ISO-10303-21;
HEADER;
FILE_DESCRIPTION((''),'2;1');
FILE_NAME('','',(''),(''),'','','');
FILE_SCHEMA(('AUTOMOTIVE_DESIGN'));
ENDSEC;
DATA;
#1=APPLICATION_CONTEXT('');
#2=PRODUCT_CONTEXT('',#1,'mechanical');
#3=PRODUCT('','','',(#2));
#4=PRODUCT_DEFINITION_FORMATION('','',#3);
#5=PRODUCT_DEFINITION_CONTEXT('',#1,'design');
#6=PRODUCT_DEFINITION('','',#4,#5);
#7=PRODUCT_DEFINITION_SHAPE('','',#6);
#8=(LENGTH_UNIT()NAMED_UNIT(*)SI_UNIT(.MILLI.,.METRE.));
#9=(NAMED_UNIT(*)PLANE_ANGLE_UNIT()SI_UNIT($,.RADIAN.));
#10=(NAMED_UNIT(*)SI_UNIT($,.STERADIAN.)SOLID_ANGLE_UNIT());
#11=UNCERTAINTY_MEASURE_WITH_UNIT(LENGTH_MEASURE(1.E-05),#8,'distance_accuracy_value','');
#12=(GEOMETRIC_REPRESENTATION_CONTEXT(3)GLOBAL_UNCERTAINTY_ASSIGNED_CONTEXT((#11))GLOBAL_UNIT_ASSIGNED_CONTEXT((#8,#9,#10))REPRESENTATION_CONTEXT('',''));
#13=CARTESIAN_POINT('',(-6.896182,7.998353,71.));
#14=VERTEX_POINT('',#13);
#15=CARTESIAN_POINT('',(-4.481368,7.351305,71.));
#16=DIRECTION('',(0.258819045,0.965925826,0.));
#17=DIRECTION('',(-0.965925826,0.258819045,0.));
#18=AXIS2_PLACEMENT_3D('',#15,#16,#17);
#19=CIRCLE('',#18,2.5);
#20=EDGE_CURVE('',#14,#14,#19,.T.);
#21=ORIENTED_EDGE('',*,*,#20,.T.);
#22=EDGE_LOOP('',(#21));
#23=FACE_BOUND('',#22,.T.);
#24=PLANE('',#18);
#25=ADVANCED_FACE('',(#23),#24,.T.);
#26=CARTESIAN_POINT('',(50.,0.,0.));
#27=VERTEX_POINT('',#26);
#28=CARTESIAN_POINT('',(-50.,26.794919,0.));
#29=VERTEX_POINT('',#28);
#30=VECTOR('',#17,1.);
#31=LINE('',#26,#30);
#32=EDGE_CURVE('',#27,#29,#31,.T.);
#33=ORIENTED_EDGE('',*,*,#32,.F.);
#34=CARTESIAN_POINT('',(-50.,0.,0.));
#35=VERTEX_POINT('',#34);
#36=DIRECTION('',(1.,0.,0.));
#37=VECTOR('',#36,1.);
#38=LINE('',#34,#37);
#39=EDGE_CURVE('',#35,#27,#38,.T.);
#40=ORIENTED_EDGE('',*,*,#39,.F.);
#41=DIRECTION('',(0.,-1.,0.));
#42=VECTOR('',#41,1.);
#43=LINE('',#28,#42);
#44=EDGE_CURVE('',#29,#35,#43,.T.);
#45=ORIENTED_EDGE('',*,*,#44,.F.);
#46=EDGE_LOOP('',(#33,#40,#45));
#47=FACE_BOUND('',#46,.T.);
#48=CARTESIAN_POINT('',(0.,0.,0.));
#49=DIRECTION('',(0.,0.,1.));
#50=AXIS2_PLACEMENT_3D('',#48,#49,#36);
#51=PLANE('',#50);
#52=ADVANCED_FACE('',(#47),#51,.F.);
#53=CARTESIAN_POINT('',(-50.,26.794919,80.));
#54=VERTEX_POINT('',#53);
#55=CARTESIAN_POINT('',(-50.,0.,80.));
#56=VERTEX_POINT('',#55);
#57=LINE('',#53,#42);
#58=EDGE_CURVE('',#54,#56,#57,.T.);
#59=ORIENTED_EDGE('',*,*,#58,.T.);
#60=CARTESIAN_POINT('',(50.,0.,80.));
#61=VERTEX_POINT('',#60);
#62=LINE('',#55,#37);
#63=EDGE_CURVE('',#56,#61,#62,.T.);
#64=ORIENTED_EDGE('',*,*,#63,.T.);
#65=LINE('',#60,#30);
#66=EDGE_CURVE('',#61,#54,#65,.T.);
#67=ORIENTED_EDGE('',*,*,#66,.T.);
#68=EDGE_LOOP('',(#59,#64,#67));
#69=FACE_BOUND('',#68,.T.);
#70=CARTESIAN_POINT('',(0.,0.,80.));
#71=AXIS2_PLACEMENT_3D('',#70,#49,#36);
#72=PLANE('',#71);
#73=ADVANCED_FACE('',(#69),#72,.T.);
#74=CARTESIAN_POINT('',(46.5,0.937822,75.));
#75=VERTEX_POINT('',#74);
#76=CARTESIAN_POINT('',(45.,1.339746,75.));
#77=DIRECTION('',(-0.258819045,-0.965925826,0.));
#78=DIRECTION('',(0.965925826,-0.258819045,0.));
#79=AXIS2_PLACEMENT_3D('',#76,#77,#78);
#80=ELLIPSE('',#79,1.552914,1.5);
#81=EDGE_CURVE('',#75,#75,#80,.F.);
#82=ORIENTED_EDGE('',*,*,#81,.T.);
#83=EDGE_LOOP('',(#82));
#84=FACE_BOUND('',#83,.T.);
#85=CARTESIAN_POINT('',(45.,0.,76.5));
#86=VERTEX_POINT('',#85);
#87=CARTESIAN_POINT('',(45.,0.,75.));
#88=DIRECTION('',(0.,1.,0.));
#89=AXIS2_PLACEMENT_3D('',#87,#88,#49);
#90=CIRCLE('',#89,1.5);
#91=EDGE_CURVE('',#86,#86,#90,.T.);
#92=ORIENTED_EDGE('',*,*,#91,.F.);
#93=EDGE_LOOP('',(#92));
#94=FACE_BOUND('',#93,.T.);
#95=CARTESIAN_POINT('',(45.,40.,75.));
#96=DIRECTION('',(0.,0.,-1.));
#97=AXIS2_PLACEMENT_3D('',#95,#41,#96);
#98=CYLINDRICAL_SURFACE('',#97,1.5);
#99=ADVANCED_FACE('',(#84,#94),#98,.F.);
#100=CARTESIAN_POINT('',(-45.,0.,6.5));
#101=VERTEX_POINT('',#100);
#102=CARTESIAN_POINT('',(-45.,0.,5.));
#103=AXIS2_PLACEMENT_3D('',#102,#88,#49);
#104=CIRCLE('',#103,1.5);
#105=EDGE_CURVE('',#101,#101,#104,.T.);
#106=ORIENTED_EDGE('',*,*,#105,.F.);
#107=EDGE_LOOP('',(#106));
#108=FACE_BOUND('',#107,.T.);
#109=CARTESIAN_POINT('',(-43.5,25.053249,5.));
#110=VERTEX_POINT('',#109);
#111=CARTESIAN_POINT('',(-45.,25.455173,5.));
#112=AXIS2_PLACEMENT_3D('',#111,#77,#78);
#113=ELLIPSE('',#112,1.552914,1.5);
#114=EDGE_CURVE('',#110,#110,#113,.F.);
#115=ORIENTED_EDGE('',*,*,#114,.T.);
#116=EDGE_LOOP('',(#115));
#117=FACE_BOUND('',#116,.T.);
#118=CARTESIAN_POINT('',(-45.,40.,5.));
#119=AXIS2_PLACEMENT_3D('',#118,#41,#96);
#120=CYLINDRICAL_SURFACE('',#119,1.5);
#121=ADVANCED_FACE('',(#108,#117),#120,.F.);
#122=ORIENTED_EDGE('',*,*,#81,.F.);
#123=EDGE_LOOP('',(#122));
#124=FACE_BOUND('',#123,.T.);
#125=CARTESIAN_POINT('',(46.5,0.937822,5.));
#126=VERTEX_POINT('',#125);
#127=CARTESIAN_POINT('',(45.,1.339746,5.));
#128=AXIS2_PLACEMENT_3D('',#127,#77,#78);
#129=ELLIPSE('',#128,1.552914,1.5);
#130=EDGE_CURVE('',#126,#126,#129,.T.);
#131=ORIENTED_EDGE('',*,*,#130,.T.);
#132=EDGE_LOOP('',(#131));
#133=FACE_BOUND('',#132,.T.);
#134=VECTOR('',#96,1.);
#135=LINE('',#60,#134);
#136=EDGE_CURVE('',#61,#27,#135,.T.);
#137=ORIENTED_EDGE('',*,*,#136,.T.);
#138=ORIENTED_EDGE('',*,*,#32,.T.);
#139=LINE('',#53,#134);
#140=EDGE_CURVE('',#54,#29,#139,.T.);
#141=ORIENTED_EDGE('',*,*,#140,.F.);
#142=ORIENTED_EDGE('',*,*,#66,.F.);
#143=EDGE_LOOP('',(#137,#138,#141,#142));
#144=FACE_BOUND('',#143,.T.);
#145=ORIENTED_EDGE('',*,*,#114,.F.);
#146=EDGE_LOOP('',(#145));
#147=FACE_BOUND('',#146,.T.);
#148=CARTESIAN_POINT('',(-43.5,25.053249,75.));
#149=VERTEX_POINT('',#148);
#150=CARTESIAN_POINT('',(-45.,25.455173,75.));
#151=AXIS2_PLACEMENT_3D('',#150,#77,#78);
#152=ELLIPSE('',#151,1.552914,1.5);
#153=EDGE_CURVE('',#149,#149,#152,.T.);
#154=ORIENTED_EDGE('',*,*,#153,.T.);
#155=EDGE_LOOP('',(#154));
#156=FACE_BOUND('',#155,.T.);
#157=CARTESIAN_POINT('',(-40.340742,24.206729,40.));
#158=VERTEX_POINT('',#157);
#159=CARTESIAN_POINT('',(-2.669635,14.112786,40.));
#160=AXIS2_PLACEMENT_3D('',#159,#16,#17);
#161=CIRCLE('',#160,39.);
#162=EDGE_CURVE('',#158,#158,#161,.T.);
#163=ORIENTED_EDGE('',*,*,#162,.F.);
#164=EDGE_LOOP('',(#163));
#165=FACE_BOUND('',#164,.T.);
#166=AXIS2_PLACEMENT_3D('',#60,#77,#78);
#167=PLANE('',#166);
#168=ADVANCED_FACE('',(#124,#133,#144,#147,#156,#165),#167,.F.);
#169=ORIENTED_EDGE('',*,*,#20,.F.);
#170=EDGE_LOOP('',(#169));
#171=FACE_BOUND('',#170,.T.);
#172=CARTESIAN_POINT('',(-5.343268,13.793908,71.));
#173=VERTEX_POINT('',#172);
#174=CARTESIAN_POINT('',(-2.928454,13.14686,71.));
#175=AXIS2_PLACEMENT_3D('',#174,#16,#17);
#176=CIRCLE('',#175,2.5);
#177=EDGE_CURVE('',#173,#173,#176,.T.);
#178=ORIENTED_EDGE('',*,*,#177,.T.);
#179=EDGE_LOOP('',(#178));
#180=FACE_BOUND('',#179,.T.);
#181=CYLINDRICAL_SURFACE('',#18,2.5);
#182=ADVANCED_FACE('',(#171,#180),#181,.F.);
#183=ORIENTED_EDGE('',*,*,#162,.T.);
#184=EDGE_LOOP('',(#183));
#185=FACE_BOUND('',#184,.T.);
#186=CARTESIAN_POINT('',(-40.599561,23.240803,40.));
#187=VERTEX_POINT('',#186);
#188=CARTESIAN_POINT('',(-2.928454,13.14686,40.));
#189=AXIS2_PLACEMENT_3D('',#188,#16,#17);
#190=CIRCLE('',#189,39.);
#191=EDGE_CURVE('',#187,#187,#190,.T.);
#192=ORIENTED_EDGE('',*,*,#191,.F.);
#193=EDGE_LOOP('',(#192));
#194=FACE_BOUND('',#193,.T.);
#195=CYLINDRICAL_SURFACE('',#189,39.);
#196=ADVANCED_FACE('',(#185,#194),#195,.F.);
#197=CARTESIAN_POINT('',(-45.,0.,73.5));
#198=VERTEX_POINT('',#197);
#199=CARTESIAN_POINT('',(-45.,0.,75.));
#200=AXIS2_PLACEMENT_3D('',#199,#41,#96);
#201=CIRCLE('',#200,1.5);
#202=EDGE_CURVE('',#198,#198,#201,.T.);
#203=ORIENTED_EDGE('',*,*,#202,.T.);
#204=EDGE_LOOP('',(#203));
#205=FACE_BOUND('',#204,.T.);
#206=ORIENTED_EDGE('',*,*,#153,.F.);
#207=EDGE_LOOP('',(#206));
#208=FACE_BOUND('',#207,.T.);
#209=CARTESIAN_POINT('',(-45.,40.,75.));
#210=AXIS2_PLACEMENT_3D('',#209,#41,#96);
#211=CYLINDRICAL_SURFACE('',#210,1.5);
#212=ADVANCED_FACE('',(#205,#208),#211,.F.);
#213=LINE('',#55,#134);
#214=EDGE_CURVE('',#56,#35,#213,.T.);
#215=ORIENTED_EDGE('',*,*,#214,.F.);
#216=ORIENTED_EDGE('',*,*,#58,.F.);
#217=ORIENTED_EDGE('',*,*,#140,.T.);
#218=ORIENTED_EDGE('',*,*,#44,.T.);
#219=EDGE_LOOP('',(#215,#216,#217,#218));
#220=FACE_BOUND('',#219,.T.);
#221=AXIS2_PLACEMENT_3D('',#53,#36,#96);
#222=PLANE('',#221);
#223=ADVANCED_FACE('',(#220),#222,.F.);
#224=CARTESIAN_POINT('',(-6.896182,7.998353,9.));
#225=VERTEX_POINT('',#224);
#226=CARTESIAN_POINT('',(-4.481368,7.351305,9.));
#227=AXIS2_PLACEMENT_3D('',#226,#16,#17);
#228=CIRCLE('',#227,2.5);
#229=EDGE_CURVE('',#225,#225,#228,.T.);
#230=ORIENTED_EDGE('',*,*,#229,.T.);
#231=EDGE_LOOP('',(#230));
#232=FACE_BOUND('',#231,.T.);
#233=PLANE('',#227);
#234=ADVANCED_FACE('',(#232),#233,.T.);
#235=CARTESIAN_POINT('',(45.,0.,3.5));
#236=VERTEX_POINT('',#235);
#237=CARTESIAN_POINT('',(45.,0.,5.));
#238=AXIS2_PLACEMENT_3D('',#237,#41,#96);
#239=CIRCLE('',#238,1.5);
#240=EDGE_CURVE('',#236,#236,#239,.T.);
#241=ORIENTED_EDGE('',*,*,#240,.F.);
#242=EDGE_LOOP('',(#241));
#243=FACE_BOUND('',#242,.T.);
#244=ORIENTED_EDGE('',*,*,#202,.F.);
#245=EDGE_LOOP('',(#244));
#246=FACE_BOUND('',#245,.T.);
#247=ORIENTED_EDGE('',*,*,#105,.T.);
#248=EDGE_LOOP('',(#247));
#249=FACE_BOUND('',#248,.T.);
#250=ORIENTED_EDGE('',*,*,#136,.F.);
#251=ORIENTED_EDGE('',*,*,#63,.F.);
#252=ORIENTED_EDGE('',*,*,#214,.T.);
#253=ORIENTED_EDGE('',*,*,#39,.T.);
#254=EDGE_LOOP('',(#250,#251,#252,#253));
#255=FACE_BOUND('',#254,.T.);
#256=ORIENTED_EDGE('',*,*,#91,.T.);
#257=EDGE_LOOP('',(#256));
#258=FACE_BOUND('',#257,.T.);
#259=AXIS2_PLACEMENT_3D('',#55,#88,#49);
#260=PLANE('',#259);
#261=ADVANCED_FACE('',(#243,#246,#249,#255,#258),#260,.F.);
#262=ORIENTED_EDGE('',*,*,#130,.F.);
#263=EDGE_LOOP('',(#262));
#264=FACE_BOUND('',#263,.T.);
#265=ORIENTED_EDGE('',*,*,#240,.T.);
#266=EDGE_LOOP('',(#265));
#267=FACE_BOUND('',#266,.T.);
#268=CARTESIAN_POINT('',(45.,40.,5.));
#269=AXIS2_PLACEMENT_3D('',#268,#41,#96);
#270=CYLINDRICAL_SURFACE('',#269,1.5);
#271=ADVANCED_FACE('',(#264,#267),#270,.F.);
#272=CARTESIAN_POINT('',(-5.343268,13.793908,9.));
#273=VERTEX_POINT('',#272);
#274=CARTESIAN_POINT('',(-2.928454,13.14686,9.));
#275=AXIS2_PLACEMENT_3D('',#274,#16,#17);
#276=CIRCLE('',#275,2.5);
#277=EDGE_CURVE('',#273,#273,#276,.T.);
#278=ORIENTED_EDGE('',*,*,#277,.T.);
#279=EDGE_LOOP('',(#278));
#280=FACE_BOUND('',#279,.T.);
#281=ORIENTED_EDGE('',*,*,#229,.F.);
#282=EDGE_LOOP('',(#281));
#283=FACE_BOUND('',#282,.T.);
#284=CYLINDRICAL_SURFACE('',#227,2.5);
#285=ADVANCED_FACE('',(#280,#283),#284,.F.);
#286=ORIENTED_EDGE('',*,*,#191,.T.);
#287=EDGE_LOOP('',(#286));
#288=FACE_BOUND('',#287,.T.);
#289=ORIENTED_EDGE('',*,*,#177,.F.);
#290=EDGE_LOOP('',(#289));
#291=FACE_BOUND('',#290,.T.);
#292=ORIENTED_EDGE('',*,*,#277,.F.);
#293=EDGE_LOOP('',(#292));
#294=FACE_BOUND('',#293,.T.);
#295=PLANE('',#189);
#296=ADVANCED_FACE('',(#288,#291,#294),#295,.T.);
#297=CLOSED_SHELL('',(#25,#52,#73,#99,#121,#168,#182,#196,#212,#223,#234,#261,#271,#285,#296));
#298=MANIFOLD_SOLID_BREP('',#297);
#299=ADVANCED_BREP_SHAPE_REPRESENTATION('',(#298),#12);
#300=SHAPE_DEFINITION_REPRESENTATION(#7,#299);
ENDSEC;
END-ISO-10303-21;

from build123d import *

# Parameters (mm, degrees)
SALIENTE_EXTRUIR1_DEPTH = 80
CROQUIS2_R              = 39
CORTAR_EXTRUIR1_DEPTH   = 1
CROQUIS3_R              = 2.5
CORTAR_EXTRUIR2_DEPTH   = 6
CROQUIS5_R              = 1.5
CORTAR_EXTRUIR3_DEPTH   = 40


with BuildPart() as part:
    # Croquis1 → Saliente-Extruir1 (new body)
    with BuildSketch(Plane.XY):
        Polygon((-50, 0), (50, 0), (-50, 26.794919243), align=None)
    extrude(amount=SALIENTE_EXTRUIR1_DEPTH)

    # Croquis2 → Cortar-Extruir1 (cut)
    with BuildSketch(Plane(origin=(3.349364905, 12.5, 0), x_dir=(0.96592582628907, -0.2588190451025143, 0), z_dir=(0.2588190451025143, 0.96592582628907, 0))):
        with Locations(Location((-6.231326727, -40, 0), (0, 0, 180))):
            Circle(CROQUIS2_R)
    extrude(amount=-CORTAR_EXTRUIR1_DEPTH, mode=Mode.SUBTRACT)

    # Croquis3 → Cortar-Extruir2 (cut)
    with BuildSketch(Plane(origin=(3.09054586, 11.534074174, 0), x_dir=(0.96592582628907, -0.2588190451025143, 0), z_dir=(0.2588190451025143, 0.96592582628907, 0))):
        with Locations(Location((-6.231326727, -9, 0), (0, 0, 180))):
            Circle(CROQUIS3_R)
        with Locations(Location((-6.231326727, -71, 0), (0, 0, 180))):
            Circle(CROQUIS3_R)
    extrude(amount=-CORTAR_EXTRUIR2_DEPTH, mode=Mode.SUBTRACT)

    # Croquis5 → Cortar-Extruir3 (cut)
    with BuildSketch(Plane.XZ):
        with Locations(Location((-45, 75, 0), (0, 0, 270))):
            Circle(CROQUIS5_R)
        with Locations((45, 75)):
            Circle(CROQUIS5_R)
        with Locations(Location((45, 5, 0), (0, 0, 270))):
            Circle(CROQUIS5_R)
        with Locations((-45, 5)):
            Circle(CROQUIS5_R)
    extrude(amount=-CORTAR_EXTRUIR3_DEPTH, mode=Mode.SUBTRACT)


solid = part.part
